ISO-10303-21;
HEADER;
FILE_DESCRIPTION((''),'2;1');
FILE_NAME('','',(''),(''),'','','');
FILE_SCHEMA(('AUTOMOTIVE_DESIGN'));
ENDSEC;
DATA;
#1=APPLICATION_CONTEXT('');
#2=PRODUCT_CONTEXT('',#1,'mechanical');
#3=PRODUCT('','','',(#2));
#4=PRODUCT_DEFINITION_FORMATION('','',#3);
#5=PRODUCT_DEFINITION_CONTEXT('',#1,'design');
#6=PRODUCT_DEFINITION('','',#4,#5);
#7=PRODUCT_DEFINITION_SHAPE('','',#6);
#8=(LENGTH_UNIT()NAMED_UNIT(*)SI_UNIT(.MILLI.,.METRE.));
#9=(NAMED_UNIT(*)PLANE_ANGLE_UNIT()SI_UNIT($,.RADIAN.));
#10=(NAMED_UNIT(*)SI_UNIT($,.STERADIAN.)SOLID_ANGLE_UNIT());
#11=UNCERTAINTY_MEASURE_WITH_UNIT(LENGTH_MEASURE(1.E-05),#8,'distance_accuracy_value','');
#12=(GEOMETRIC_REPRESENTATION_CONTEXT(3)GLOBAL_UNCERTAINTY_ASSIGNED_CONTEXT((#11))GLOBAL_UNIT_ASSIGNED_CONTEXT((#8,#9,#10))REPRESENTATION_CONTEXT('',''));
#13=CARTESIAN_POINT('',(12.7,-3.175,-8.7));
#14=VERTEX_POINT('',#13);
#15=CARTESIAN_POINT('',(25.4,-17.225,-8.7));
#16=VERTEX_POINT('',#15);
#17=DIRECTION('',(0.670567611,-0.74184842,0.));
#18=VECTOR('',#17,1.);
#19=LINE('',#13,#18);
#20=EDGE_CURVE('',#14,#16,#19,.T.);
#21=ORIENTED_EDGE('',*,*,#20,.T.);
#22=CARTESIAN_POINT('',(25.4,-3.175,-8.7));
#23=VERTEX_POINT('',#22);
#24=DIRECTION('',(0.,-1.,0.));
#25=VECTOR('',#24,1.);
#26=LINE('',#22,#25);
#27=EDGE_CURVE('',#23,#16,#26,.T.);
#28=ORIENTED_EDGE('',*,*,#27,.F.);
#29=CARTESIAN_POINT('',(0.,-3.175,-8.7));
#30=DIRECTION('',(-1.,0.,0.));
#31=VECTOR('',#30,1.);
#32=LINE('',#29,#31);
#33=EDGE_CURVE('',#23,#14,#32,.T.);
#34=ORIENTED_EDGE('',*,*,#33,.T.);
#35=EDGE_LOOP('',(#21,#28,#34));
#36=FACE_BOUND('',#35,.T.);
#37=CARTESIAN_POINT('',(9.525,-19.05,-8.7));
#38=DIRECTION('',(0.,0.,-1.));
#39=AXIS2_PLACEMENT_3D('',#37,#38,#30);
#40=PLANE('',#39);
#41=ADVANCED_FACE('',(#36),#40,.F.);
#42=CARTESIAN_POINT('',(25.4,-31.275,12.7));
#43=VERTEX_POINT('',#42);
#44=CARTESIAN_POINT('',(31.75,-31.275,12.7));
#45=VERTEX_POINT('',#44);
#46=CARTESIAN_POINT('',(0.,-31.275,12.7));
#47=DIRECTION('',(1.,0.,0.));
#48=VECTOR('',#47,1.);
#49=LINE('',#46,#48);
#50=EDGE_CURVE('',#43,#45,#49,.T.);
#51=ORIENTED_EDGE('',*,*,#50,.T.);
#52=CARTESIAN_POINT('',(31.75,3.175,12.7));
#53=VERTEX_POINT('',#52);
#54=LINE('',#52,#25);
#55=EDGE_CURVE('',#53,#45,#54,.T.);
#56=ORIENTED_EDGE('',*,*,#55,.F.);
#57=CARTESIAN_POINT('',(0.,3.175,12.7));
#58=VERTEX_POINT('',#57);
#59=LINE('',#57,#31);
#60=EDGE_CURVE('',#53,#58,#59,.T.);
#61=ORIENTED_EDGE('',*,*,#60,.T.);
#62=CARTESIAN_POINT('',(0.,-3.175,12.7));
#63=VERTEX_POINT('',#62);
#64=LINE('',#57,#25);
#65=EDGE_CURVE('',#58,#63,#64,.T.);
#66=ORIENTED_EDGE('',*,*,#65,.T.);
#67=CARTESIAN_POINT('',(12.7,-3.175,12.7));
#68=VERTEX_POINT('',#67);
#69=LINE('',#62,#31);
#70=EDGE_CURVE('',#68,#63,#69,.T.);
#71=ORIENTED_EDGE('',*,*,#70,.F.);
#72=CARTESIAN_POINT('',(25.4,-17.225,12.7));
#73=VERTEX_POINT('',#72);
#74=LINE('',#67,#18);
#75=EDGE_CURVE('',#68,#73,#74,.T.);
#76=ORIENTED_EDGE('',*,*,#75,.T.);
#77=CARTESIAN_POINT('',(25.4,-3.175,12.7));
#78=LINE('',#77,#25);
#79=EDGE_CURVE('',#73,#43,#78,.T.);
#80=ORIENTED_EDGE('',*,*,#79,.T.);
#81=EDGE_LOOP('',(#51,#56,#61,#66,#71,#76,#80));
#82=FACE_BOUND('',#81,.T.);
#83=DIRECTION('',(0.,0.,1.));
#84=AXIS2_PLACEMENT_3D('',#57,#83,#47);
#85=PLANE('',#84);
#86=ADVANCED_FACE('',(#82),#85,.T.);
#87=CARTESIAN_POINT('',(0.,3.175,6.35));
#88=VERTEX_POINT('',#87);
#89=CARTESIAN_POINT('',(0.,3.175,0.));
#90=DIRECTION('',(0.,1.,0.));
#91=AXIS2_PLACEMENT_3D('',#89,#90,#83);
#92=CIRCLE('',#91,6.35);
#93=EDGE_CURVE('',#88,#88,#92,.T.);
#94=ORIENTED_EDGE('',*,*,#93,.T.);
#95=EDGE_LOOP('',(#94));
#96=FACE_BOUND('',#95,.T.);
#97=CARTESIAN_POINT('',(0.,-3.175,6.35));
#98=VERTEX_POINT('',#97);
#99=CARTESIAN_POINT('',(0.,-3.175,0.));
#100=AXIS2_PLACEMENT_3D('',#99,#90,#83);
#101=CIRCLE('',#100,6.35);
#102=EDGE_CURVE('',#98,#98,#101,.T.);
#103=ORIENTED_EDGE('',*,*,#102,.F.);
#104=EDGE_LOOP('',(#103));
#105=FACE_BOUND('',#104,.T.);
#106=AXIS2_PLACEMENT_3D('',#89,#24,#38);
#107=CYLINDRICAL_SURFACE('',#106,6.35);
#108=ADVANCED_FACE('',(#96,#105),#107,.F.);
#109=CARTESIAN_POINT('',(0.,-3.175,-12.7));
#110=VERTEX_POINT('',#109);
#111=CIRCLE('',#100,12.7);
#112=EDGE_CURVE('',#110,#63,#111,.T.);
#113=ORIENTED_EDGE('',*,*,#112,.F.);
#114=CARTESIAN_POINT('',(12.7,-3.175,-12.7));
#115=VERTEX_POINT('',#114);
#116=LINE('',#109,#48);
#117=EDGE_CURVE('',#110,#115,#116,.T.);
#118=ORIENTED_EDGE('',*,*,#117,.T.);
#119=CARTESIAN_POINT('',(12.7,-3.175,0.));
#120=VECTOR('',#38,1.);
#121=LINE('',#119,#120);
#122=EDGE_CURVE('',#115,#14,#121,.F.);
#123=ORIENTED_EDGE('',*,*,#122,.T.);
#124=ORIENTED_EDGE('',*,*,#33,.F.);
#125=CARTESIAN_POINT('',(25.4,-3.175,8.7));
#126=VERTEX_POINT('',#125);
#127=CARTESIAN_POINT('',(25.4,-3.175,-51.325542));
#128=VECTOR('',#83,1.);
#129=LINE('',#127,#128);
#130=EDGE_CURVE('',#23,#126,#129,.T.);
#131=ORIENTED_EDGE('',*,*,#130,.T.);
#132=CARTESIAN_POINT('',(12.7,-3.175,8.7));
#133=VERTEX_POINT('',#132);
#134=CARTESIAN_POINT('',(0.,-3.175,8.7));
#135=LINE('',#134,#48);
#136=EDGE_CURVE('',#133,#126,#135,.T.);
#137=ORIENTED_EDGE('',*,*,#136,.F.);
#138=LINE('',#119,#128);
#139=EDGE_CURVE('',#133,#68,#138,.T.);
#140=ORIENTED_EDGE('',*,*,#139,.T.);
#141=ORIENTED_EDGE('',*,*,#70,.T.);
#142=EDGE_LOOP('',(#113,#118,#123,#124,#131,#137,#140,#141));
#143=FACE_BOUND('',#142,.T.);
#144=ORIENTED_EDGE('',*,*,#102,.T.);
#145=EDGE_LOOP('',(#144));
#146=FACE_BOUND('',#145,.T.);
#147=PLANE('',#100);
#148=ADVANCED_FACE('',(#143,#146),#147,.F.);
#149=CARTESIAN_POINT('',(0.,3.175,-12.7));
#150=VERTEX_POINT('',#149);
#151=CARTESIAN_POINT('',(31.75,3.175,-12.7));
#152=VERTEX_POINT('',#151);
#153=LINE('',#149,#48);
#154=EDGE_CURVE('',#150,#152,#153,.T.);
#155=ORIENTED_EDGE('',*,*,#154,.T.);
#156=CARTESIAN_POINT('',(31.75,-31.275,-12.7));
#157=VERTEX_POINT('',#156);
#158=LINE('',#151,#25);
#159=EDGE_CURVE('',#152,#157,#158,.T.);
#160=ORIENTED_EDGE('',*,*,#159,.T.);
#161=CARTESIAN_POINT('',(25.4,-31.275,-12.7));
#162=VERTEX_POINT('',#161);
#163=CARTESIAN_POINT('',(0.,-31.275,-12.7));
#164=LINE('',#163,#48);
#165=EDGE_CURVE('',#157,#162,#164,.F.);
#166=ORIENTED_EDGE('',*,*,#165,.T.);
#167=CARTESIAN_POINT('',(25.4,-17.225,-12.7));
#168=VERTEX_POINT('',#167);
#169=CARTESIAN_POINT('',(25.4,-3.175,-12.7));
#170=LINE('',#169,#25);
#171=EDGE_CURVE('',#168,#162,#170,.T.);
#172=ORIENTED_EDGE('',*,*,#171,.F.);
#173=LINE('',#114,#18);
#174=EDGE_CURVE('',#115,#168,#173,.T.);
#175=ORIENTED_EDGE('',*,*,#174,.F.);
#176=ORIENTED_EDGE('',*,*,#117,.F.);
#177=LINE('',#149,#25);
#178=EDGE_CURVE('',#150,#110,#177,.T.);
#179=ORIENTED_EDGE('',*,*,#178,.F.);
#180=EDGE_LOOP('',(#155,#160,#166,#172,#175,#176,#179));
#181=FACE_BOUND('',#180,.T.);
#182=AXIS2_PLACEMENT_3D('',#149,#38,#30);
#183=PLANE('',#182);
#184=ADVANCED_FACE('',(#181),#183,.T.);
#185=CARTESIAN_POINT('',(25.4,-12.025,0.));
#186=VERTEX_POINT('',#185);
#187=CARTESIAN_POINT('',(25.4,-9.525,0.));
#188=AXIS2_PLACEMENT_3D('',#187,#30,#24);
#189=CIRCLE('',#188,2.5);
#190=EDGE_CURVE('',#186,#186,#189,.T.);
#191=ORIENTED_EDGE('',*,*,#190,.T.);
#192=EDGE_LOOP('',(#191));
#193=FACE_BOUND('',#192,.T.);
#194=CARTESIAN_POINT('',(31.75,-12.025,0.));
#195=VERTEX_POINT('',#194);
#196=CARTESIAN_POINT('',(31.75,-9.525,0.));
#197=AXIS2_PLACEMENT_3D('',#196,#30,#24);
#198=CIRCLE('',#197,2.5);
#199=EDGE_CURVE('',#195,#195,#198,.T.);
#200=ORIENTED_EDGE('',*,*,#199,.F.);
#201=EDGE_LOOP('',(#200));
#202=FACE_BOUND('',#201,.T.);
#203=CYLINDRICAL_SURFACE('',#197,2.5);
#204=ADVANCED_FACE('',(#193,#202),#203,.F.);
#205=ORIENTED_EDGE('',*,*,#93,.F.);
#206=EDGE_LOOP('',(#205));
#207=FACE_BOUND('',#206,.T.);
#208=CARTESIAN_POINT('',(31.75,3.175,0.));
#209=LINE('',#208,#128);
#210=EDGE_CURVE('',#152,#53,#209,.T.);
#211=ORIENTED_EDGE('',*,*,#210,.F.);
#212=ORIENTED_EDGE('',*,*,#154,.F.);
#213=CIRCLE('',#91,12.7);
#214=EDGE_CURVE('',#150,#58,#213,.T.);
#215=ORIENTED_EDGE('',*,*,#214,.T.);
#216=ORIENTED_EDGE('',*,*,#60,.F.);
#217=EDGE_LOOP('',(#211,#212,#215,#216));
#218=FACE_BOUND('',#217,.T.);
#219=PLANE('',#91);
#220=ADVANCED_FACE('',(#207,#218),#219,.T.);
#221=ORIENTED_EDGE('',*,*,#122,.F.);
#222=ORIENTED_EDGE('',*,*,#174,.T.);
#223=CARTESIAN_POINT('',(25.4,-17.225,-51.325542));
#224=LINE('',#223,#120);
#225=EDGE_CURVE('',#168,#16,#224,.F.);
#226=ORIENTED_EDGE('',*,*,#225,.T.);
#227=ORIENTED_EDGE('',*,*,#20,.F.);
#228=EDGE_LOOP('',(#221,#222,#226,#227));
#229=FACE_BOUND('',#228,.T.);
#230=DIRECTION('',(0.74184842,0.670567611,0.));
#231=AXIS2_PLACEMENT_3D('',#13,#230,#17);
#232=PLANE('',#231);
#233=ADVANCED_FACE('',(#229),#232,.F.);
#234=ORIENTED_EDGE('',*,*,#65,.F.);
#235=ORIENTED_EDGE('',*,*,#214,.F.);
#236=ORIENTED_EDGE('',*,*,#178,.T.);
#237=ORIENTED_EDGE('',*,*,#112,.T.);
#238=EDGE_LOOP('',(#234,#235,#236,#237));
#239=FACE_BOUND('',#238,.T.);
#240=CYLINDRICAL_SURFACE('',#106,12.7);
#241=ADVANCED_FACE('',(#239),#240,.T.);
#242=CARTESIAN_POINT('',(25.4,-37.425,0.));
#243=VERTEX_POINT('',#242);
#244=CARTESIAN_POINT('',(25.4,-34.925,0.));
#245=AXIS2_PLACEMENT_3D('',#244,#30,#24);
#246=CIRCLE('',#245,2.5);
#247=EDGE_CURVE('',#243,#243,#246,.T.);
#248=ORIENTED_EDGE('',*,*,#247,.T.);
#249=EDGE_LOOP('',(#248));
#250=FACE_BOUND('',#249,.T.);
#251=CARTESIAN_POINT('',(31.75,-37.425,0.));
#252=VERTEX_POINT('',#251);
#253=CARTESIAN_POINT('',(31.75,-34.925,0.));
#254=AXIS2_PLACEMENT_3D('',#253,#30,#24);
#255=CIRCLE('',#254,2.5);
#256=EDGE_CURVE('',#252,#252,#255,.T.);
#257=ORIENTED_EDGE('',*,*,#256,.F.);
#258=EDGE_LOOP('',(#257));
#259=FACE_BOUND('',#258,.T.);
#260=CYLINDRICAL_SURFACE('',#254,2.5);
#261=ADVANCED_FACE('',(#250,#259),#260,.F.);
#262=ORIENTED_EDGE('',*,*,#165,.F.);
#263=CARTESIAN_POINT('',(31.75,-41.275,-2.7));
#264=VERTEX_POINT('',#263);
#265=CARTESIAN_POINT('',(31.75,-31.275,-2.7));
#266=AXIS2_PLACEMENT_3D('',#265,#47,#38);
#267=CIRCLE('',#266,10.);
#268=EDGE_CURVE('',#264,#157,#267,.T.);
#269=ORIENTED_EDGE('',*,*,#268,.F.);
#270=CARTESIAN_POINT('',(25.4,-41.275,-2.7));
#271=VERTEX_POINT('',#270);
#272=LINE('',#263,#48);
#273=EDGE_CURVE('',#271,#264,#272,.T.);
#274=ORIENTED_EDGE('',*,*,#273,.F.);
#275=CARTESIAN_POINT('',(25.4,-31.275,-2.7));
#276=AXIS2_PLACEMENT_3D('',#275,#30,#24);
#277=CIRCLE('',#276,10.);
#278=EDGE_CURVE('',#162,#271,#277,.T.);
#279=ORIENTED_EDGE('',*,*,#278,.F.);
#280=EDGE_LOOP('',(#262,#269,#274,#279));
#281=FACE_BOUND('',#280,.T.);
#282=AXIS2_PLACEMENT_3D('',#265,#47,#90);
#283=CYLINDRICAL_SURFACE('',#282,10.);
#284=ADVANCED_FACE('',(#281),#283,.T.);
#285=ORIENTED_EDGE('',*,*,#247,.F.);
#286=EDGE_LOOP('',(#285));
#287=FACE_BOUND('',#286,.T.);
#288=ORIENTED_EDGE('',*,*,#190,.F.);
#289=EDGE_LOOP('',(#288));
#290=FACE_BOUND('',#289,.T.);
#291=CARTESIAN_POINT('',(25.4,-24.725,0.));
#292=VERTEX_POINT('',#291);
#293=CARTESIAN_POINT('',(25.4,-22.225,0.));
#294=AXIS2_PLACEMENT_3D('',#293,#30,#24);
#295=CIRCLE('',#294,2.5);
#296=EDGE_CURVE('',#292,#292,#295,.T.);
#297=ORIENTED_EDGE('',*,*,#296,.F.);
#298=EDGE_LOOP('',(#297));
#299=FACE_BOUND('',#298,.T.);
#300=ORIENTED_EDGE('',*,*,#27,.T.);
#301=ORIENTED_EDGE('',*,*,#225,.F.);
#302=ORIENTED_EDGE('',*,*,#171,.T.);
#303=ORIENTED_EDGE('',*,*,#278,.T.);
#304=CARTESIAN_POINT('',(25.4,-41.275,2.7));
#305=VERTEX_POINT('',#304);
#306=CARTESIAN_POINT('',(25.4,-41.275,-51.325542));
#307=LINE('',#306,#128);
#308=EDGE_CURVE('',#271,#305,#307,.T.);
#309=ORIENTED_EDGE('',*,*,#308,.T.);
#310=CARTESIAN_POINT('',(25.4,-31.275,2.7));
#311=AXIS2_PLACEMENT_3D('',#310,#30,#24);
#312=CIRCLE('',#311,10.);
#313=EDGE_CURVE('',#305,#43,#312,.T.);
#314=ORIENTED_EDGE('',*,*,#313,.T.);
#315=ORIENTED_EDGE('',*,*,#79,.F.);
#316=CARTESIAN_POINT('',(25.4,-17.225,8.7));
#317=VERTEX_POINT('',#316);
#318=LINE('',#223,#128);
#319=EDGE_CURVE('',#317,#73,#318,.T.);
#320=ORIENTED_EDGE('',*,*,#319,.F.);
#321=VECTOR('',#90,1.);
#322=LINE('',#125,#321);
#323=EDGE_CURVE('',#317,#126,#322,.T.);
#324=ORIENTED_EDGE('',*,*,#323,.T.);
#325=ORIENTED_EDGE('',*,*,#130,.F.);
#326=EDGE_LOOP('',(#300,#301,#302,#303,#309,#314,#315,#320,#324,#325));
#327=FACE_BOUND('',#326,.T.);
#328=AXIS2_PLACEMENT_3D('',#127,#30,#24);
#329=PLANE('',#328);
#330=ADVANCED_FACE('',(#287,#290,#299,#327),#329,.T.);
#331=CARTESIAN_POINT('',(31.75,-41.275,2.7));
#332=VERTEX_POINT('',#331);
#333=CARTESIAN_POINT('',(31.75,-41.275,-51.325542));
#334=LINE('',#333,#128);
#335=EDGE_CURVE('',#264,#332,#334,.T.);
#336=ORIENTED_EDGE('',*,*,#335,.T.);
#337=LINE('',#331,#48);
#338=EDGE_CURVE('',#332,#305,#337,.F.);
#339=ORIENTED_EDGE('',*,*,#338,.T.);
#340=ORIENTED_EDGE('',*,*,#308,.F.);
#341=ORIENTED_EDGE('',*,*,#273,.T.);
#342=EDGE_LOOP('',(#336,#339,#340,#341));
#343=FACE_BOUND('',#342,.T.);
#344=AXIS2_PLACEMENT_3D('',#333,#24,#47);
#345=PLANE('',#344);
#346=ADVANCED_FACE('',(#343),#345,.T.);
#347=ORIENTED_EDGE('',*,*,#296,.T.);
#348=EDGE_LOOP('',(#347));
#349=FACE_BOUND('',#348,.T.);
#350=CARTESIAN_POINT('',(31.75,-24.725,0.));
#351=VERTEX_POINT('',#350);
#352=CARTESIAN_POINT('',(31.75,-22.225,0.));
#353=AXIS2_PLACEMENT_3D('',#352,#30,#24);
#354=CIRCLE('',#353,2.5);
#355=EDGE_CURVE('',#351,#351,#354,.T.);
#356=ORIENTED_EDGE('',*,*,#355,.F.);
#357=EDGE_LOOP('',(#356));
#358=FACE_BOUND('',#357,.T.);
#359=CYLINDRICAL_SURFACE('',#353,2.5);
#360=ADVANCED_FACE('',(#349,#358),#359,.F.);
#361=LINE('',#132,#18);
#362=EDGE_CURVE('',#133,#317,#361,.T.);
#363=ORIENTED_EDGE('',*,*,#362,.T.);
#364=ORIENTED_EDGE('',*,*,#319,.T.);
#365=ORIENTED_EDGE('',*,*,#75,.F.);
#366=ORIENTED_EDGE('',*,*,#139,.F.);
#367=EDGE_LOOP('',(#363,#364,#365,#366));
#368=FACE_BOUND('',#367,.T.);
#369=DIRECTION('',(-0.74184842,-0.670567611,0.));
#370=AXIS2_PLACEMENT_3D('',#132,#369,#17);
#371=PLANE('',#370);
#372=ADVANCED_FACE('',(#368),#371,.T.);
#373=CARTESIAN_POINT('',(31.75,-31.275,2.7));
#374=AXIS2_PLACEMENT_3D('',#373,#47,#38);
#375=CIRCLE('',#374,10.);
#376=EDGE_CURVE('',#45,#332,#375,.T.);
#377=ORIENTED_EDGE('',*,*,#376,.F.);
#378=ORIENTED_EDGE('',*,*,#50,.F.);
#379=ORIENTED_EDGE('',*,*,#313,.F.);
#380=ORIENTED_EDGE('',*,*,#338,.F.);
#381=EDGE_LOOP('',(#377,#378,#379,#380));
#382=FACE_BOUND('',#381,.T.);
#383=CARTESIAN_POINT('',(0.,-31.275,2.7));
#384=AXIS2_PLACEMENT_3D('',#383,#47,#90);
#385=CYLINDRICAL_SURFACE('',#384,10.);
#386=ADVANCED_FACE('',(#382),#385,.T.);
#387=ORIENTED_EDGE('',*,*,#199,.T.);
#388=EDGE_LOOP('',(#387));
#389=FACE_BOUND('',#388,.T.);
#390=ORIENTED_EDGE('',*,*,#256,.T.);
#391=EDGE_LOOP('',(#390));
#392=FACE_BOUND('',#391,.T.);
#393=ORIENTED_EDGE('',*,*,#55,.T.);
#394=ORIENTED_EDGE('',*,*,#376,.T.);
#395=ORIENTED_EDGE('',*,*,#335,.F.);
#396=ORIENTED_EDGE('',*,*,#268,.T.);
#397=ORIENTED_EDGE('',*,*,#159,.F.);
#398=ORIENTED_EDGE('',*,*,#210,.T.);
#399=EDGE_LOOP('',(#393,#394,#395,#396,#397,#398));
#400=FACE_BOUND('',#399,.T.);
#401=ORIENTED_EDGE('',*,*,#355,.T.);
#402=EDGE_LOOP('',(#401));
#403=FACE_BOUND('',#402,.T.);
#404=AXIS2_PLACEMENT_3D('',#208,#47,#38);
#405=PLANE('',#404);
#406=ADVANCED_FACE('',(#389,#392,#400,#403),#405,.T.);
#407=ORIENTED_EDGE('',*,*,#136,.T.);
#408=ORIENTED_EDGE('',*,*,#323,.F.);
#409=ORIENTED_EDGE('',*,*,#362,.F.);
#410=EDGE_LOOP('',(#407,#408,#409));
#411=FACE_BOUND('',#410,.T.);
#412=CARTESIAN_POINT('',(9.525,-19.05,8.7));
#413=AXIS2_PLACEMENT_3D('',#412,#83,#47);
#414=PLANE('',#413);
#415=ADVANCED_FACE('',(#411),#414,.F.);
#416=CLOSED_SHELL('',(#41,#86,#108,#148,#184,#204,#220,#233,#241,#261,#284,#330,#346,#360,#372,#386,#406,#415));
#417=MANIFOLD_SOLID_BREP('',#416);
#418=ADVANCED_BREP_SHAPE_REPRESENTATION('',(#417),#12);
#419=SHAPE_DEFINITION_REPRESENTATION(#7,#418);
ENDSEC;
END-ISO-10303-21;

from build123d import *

# Parameters (mm, degrees)
SKETCH1_R           = 12.7
SKETCH1_R_2         = 6.35
BOSS_EXTRUDE1_DEPTH = 3.175
SKETCH2_W           = 6.35
SKETCH2_H           = 38.1
BOSS_EXTRUDE2_DEPTH = 25.4
SKETCH3_R           = 2.5
CUT_EXTRUDE1_DEPTH  = 58.589283942
FILLET1_R           = 10
RIB13_REACH         = 58.3
SKETCH4_WALL_W      = 133.538435182
SKETCH4_WALL_H      = 4


with BuildPart() as part:
    # Sketch1 → Boss-Extrude1 (new, symmetric)
    # profile 1 of 3: a face of its own
    with BuildSketch(Plane(origin=(0, 0, 0), x_dir=(1, 0, 0), z_dir=(0, 1, 0))):
        Circle(SKETCH1_R)
        with Locations(Location((0, 0, 0), (0, 0, 270))):
            Circle(SKETCH1_R_2, mode=Mode.SUBTRACT)
    # profile 2 of 3: a face of its own
    with BuildSketch(Plane(origin=(0, 0, 0), x_dir=(1, 0, 0), z_dir=(0, 1, 0))):
        with BuildLine():
            Line((31.75, 12.7), (12.7, 12.7))
            Line((12.7, 12.7), (12.7, 0))
            ThreePointArc((12.7, 0), (8.980256121, -8.980256121), (0, -12.7))
            Line((0, -12.7), (31.75, -12.7))
            Line((31.75, -12.7), (31.75, 12.7))
        make_face()
    # profile 3 of 3: a face of its own
    with BuildSketch(Plane(origin=(0, 0, 0), x_dir=(1, 0, 0), z_dir=(0, 1, 0))):
        with BuildLine():
            Line((12.7, 12.7), (0, 12.7))
            ThreePointArc((0, 12.7), (8.980256121, 8.980256121), (12.7, 0))
            Line((12.7, 0), (12.7, 12.7))
        make_face()
    extrude(amount=BOSS_EXTRUDE1_DEPTH, both=True)

    # Sketch2 → Boss-Extrude2 (add)
    with BuildSketch(Plane.XY.offset(12.7)):
        with Locations((28.575, -22.225)):
            Rectangle(SKETCH2_W, SKETCH2_H)
    extrude(amount=-BOSS_EXTRUDE2_DEPTH)

    # Sketch3 → Cut-Extrude1 (cut, through all)
    with BuildSketch(Plane.ZY.offset(-25.4)):
        with Locations(Location((0, -34.925, 0), (0, 0, 270))):
            Circle(SKETCH3_R)
        with Locations(Location((0, -9.525, 0), (0, 0, 270))):
            Circle(SKETCH3_R)
        with Locations(Location((0, -22.225, 0), (0, 0, 270))):
            Circle(SKETCH3_R)
    extrude(amount=-CUT_EXTRUDE1_DEPTH, mode=Mode.SUBTRACT)

    # Fillet1
    fillet1_edges = [part.edges().sort_by_distance(p)[0] for p in [
        (28.575, -41.275, 12.7),
        (28.575, -41.275, -12.7),
    ]]
    fillet(fillet1_edges, radius=FILLET1_R)

    # Sketch4 wall → Rib13 (add, up to next)
    with BuildSketch(Plane(origin=(19.05, -10.2, 8.7), x_dir=(0.670567611254, -0.741848420324, 0), z_dir=(0.741848420324, 0.670567611254, 0)), mode=Mode.PRIVATE) as rib13_sk1:
        with Locations((0, -2)):
            Rectangle(SKETCH4_WALL_W, SKETCH4_WALL_H)
    rib13_tool1 = extrude(rib13_sk1.sketch, amount=RIB13_REACH, mode=Mode.PRIVATE) - part.part
    rib13 = rib13_tool1.solids().sort_by_distance((19.05, -10.2, 8.7))[0]
    add(rib13)

    # Mirror1: Rib13 across plane
    add(rib13.mirror(Plane.XY))


solid = part.part
